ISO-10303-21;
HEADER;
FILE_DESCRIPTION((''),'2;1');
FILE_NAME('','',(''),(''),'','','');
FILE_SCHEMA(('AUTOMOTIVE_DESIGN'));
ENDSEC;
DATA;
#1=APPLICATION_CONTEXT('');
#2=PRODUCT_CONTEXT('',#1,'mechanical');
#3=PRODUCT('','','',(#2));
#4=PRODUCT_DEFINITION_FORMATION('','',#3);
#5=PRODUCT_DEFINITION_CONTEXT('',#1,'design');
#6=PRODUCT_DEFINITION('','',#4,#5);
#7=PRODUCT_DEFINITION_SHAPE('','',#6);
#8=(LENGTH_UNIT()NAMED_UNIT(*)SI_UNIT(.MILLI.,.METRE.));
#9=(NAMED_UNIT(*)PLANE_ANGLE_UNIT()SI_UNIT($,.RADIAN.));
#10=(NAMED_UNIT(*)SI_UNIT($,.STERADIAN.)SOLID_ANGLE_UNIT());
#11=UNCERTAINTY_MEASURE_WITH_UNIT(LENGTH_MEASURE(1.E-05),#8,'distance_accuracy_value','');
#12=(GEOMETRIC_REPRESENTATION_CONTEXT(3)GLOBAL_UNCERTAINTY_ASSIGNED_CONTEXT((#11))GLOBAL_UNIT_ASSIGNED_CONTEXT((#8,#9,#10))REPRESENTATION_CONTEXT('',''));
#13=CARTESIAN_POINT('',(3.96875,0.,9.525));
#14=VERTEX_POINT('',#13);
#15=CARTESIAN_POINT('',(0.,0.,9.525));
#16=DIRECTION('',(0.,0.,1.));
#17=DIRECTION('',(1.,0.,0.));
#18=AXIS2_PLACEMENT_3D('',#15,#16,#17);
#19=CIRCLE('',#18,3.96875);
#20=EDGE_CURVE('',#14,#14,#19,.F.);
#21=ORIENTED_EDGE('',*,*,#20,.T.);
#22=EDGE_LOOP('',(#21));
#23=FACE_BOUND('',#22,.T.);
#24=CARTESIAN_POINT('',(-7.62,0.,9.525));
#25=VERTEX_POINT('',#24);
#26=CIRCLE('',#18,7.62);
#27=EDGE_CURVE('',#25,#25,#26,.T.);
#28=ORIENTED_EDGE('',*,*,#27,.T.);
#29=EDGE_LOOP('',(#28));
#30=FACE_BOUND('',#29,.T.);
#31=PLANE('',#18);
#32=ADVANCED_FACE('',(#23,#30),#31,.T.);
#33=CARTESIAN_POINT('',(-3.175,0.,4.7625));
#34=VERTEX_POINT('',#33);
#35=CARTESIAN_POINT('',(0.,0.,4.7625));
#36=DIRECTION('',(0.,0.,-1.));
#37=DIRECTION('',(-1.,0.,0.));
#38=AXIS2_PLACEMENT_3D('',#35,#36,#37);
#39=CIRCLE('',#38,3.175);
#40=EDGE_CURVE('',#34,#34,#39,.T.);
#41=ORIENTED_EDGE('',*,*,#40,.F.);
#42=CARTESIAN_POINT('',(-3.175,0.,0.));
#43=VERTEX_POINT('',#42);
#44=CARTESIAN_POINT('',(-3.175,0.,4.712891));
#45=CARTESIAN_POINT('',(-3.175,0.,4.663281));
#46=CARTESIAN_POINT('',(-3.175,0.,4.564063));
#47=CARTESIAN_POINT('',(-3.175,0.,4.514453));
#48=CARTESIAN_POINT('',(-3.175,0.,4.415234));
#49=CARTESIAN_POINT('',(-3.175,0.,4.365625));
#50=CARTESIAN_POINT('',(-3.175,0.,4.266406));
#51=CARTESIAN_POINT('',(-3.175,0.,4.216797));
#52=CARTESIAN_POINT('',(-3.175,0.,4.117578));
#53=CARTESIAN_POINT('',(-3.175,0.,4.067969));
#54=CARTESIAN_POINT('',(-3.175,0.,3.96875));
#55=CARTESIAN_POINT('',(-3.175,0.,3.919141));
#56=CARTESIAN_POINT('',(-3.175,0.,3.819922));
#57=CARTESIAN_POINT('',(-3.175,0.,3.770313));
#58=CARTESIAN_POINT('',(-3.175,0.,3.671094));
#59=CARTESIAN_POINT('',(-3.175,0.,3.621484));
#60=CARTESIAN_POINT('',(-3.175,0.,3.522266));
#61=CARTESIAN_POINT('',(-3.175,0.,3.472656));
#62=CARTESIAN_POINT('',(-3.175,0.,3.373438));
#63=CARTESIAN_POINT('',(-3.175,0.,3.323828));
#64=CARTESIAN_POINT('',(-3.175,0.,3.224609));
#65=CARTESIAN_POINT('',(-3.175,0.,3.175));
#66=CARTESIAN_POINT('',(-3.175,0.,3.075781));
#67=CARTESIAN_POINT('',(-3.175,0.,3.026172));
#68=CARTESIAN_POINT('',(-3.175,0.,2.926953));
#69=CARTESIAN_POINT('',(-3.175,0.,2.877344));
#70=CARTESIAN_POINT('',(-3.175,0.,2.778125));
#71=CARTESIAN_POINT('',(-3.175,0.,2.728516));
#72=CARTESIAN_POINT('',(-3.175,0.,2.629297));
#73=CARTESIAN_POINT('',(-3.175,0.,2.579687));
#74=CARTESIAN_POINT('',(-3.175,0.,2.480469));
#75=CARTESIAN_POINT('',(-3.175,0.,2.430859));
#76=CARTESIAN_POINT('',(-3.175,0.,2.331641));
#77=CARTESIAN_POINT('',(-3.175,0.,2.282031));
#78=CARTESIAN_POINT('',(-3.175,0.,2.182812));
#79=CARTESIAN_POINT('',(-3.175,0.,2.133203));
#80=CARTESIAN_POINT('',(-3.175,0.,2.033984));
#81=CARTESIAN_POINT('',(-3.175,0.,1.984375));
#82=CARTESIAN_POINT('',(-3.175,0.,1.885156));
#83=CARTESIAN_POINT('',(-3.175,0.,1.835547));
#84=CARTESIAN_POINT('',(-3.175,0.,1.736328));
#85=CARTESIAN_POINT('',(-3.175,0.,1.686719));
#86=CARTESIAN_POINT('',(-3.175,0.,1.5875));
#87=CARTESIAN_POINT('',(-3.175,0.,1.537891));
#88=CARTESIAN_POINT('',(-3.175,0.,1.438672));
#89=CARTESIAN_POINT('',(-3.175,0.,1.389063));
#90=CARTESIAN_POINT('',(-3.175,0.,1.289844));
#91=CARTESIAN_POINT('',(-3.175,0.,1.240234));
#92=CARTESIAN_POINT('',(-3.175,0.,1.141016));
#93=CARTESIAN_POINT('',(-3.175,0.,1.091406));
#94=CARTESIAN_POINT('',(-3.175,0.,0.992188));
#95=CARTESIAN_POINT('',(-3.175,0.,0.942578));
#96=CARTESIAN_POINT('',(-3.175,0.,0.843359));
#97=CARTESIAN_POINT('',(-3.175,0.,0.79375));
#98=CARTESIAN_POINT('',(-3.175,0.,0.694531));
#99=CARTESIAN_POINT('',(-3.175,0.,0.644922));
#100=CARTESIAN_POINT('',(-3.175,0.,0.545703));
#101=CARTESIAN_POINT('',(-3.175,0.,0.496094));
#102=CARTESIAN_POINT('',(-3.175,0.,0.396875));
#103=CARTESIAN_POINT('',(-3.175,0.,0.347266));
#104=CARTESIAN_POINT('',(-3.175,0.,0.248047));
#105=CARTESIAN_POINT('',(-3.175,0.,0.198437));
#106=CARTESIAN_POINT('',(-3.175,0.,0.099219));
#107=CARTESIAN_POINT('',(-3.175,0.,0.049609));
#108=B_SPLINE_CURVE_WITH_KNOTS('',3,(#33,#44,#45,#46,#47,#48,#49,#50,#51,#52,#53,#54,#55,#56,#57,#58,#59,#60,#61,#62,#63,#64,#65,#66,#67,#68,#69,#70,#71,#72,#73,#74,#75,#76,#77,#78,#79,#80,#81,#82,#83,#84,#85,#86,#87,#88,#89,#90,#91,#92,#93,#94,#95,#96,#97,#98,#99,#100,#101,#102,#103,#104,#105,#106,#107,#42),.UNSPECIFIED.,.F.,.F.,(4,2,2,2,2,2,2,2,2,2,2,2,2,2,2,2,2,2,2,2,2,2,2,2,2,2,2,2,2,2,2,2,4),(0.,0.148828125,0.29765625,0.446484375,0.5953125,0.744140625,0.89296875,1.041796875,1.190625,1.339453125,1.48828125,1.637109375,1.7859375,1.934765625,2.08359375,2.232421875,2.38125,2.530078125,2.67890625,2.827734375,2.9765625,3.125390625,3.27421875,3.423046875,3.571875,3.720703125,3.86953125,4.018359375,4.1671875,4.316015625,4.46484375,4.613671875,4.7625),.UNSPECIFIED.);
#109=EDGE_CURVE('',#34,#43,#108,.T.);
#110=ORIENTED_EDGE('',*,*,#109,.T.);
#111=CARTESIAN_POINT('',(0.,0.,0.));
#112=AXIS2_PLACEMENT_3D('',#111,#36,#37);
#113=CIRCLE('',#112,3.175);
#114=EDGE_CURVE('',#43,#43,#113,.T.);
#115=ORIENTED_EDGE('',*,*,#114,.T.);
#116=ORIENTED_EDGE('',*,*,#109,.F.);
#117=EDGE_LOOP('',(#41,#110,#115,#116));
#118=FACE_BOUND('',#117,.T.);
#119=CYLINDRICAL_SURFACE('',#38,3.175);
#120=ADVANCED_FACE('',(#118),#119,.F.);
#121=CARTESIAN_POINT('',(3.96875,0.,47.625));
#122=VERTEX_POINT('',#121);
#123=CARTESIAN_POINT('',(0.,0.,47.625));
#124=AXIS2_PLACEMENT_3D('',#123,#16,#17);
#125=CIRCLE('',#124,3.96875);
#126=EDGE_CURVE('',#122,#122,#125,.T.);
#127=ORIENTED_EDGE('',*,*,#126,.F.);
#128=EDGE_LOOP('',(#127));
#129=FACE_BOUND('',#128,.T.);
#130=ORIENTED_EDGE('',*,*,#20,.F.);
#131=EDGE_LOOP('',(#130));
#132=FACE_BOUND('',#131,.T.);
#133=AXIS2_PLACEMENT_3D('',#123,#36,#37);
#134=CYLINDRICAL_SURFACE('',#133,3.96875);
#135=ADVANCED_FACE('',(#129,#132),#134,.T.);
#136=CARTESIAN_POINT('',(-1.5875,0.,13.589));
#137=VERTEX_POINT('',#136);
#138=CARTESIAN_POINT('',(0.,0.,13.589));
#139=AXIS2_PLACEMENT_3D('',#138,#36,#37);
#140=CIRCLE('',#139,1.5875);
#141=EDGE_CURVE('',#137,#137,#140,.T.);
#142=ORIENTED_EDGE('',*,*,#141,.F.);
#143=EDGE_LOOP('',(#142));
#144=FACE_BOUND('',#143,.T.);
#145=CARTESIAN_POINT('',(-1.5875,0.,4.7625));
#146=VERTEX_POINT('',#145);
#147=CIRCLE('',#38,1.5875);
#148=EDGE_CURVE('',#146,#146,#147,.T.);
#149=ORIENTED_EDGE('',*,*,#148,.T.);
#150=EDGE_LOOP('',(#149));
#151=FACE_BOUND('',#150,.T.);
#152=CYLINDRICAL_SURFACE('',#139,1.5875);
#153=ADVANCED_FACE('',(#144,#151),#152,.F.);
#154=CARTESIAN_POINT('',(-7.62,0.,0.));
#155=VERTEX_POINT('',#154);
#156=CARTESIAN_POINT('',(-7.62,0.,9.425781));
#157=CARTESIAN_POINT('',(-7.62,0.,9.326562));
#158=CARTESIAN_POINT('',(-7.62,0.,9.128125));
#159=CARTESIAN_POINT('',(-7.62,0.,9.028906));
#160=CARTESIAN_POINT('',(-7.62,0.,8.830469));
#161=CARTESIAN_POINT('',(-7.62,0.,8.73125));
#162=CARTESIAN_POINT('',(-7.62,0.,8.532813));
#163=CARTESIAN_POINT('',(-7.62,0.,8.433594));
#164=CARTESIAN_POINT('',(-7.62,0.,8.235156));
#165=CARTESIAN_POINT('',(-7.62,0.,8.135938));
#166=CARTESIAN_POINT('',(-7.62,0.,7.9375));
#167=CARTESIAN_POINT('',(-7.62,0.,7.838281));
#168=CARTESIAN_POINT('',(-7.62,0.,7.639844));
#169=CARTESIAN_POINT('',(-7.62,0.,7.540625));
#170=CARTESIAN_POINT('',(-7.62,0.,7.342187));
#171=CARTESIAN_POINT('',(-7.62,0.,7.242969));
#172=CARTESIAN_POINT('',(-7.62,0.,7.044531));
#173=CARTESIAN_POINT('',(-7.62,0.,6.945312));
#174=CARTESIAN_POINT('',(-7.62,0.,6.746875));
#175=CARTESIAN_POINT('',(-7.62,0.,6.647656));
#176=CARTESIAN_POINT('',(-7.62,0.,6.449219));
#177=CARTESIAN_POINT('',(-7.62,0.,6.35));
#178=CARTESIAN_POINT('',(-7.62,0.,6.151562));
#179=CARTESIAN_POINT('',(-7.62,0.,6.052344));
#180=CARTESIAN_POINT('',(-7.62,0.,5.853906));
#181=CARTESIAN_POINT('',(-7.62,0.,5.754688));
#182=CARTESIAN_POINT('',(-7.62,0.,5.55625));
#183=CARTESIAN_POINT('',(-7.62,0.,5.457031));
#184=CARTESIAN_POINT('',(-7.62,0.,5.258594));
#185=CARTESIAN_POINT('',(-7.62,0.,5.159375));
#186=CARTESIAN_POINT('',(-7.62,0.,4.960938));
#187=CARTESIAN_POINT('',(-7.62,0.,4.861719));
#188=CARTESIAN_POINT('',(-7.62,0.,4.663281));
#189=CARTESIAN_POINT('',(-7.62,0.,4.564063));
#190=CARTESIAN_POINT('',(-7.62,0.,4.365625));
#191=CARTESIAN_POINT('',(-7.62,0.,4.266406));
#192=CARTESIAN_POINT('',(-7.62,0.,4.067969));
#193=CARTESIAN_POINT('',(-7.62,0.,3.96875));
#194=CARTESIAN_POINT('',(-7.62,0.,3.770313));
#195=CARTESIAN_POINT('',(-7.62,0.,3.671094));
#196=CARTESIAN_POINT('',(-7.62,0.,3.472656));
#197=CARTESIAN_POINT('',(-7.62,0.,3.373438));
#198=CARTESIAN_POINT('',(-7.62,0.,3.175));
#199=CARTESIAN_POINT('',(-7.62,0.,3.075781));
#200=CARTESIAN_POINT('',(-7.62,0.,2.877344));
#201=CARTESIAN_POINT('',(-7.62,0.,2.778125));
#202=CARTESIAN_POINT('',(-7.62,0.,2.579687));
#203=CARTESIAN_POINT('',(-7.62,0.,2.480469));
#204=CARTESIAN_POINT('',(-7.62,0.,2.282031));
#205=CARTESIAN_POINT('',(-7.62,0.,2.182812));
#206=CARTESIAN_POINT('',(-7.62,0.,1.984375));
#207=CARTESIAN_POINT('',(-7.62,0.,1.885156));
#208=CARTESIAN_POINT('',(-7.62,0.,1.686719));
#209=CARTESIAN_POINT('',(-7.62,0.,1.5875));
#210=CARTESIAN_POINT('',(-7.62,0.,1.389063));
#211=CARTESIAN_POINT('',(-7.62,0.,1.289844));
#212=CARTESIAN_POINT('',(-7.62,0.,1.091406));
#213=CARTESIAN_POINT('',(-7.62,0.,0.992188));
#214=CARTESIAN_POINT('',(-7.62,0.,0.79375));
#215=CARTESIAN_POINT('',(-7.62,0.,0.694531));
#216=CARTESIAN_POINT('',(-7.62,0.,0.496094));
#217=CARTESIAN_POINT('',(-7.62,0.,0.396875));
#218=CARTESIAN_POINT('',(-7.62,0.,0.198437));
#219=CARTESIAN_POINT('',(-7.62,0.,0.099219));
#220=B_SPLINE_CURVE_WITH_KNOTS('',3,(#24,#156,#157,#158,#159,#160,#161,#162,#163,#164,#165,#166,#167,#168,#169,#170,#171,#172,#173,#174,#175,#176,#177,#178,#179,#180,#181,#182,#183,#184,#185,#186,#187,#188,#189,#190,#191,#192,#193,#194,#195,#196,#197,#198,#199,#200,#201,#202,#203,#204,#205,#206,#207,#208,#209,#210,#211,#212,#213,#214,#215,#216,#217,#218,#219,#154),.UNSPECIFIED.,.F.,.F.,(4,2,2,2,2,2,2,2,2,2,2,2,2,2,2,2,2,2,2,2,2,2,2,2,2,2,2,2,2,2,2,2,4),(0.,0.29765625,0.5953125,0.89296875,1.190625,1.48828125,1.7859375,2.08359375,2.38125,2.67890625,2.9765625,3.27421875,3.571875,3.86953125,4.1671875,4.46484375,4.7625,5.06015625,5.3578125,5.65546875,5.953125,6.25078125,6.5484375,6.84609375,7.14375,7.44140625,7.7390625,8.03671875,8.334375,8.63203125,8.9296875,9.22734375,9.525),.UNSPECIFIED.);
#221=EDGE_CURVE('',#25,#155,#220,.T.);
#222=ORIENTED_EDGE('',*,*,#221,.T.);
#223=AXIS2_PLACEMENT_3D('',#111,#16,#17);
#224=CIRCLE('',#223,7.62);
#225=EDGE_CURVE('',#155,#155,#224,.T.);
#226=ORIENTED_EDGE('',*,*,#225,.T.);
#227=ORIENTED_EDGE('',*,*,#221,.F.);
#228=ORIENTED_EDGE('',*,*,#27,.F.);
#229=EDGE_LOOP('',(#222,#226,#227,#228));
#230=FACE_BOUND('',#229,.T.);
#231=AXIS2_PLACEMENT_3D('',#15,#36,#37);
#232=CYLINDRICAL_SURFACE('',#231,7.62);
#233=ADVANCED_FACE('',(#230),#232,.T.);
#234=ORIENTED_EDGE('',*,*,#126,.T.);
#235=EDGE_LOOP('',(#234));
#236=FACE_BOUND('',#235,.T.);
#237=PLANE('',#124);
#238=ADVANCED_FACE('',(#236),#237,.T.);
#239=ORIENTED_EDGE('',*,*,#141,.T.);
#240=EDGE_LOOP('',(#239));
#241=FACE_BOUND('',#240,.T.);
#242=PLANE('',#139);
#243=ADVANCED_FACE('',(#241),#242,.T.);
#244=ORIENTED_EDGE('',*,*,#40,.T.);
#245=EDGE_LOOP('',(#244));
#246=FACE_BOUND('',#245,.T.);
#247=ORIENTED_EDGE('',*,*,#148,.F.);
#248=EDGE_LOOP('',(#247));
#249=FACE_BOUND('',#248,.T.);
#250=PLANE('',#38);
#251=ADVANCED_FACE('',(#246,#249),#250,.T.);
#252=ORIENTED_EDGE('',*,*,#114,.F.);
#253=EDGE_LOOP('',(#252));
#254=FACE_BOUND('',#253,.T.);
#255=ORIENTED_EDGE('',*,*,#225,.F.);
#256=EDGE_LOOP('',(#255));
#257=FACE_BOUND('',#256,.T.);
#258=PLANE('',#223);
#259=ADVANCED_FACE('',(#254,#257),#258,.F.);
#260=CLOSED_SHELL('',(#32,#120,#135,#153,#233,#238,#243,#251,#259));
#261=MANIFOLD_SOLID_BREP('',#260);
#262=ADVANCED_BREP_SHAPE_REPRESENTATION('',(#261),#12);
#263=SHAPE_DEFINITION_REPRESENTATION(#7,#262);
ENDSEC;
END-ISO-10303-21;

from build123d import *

# Parameters (mm, degrees)
SKETCH1_R               = 7.62
TOP_HEAD_DEPTH          = 9.525
LOWER_START             = 6.35
SKETCH1_4_R             = 3.96875
LOWER_PIN_DEPTH         = 41.275
SKETCH2_R               = 3.175
O_RING_OPENING_DEPTH    = 4.7625
SKETCH2_3_R             = 1.5875
POT_SHAFT_OPENING_DEPTH = 13.589


with BuildPart() as part:
    # Sketch1 → Top Head (new body)
    with BuildSketch(Plane.XY):
        Circle(SKETCH1_R)
    extrude(amount=TOP_HEAD_DEPTH)

    # Sketch1<4> → Lower Pin (add)
    with BuildSketch(Plane.XY.offset(LOWER_START)):
        Circle(SKETCH1_4_R)
    extrude(amount=LOWER_PIN_DEPTH)

    # Sketch2 → O-Ring Opening (cut)
    with BuildSketch(Plane(origin=(0, 0, 0), x_dir=(-1, 0, 0), z_dir=(0, 0, -1))):
        Circle(SKETCH2_R)
    extrude(amount=-O_RING_OPENING_DEPTH, mode=Mode.SUBTRACT)

    # Sketch2<3> → POT Shaft Opening (cut)
    with BuildSketch(Plane(origin=(0, 0, 0), x_dir=(-1, 0, 0), z_dir=(0, 0, -1))):
        Circle(SKETCH2_3_R)
    extrude(amount=-POT_SHAFT_OPENING_DEPTH, mode=Mode.SUBTRACT)


solid = part.part
